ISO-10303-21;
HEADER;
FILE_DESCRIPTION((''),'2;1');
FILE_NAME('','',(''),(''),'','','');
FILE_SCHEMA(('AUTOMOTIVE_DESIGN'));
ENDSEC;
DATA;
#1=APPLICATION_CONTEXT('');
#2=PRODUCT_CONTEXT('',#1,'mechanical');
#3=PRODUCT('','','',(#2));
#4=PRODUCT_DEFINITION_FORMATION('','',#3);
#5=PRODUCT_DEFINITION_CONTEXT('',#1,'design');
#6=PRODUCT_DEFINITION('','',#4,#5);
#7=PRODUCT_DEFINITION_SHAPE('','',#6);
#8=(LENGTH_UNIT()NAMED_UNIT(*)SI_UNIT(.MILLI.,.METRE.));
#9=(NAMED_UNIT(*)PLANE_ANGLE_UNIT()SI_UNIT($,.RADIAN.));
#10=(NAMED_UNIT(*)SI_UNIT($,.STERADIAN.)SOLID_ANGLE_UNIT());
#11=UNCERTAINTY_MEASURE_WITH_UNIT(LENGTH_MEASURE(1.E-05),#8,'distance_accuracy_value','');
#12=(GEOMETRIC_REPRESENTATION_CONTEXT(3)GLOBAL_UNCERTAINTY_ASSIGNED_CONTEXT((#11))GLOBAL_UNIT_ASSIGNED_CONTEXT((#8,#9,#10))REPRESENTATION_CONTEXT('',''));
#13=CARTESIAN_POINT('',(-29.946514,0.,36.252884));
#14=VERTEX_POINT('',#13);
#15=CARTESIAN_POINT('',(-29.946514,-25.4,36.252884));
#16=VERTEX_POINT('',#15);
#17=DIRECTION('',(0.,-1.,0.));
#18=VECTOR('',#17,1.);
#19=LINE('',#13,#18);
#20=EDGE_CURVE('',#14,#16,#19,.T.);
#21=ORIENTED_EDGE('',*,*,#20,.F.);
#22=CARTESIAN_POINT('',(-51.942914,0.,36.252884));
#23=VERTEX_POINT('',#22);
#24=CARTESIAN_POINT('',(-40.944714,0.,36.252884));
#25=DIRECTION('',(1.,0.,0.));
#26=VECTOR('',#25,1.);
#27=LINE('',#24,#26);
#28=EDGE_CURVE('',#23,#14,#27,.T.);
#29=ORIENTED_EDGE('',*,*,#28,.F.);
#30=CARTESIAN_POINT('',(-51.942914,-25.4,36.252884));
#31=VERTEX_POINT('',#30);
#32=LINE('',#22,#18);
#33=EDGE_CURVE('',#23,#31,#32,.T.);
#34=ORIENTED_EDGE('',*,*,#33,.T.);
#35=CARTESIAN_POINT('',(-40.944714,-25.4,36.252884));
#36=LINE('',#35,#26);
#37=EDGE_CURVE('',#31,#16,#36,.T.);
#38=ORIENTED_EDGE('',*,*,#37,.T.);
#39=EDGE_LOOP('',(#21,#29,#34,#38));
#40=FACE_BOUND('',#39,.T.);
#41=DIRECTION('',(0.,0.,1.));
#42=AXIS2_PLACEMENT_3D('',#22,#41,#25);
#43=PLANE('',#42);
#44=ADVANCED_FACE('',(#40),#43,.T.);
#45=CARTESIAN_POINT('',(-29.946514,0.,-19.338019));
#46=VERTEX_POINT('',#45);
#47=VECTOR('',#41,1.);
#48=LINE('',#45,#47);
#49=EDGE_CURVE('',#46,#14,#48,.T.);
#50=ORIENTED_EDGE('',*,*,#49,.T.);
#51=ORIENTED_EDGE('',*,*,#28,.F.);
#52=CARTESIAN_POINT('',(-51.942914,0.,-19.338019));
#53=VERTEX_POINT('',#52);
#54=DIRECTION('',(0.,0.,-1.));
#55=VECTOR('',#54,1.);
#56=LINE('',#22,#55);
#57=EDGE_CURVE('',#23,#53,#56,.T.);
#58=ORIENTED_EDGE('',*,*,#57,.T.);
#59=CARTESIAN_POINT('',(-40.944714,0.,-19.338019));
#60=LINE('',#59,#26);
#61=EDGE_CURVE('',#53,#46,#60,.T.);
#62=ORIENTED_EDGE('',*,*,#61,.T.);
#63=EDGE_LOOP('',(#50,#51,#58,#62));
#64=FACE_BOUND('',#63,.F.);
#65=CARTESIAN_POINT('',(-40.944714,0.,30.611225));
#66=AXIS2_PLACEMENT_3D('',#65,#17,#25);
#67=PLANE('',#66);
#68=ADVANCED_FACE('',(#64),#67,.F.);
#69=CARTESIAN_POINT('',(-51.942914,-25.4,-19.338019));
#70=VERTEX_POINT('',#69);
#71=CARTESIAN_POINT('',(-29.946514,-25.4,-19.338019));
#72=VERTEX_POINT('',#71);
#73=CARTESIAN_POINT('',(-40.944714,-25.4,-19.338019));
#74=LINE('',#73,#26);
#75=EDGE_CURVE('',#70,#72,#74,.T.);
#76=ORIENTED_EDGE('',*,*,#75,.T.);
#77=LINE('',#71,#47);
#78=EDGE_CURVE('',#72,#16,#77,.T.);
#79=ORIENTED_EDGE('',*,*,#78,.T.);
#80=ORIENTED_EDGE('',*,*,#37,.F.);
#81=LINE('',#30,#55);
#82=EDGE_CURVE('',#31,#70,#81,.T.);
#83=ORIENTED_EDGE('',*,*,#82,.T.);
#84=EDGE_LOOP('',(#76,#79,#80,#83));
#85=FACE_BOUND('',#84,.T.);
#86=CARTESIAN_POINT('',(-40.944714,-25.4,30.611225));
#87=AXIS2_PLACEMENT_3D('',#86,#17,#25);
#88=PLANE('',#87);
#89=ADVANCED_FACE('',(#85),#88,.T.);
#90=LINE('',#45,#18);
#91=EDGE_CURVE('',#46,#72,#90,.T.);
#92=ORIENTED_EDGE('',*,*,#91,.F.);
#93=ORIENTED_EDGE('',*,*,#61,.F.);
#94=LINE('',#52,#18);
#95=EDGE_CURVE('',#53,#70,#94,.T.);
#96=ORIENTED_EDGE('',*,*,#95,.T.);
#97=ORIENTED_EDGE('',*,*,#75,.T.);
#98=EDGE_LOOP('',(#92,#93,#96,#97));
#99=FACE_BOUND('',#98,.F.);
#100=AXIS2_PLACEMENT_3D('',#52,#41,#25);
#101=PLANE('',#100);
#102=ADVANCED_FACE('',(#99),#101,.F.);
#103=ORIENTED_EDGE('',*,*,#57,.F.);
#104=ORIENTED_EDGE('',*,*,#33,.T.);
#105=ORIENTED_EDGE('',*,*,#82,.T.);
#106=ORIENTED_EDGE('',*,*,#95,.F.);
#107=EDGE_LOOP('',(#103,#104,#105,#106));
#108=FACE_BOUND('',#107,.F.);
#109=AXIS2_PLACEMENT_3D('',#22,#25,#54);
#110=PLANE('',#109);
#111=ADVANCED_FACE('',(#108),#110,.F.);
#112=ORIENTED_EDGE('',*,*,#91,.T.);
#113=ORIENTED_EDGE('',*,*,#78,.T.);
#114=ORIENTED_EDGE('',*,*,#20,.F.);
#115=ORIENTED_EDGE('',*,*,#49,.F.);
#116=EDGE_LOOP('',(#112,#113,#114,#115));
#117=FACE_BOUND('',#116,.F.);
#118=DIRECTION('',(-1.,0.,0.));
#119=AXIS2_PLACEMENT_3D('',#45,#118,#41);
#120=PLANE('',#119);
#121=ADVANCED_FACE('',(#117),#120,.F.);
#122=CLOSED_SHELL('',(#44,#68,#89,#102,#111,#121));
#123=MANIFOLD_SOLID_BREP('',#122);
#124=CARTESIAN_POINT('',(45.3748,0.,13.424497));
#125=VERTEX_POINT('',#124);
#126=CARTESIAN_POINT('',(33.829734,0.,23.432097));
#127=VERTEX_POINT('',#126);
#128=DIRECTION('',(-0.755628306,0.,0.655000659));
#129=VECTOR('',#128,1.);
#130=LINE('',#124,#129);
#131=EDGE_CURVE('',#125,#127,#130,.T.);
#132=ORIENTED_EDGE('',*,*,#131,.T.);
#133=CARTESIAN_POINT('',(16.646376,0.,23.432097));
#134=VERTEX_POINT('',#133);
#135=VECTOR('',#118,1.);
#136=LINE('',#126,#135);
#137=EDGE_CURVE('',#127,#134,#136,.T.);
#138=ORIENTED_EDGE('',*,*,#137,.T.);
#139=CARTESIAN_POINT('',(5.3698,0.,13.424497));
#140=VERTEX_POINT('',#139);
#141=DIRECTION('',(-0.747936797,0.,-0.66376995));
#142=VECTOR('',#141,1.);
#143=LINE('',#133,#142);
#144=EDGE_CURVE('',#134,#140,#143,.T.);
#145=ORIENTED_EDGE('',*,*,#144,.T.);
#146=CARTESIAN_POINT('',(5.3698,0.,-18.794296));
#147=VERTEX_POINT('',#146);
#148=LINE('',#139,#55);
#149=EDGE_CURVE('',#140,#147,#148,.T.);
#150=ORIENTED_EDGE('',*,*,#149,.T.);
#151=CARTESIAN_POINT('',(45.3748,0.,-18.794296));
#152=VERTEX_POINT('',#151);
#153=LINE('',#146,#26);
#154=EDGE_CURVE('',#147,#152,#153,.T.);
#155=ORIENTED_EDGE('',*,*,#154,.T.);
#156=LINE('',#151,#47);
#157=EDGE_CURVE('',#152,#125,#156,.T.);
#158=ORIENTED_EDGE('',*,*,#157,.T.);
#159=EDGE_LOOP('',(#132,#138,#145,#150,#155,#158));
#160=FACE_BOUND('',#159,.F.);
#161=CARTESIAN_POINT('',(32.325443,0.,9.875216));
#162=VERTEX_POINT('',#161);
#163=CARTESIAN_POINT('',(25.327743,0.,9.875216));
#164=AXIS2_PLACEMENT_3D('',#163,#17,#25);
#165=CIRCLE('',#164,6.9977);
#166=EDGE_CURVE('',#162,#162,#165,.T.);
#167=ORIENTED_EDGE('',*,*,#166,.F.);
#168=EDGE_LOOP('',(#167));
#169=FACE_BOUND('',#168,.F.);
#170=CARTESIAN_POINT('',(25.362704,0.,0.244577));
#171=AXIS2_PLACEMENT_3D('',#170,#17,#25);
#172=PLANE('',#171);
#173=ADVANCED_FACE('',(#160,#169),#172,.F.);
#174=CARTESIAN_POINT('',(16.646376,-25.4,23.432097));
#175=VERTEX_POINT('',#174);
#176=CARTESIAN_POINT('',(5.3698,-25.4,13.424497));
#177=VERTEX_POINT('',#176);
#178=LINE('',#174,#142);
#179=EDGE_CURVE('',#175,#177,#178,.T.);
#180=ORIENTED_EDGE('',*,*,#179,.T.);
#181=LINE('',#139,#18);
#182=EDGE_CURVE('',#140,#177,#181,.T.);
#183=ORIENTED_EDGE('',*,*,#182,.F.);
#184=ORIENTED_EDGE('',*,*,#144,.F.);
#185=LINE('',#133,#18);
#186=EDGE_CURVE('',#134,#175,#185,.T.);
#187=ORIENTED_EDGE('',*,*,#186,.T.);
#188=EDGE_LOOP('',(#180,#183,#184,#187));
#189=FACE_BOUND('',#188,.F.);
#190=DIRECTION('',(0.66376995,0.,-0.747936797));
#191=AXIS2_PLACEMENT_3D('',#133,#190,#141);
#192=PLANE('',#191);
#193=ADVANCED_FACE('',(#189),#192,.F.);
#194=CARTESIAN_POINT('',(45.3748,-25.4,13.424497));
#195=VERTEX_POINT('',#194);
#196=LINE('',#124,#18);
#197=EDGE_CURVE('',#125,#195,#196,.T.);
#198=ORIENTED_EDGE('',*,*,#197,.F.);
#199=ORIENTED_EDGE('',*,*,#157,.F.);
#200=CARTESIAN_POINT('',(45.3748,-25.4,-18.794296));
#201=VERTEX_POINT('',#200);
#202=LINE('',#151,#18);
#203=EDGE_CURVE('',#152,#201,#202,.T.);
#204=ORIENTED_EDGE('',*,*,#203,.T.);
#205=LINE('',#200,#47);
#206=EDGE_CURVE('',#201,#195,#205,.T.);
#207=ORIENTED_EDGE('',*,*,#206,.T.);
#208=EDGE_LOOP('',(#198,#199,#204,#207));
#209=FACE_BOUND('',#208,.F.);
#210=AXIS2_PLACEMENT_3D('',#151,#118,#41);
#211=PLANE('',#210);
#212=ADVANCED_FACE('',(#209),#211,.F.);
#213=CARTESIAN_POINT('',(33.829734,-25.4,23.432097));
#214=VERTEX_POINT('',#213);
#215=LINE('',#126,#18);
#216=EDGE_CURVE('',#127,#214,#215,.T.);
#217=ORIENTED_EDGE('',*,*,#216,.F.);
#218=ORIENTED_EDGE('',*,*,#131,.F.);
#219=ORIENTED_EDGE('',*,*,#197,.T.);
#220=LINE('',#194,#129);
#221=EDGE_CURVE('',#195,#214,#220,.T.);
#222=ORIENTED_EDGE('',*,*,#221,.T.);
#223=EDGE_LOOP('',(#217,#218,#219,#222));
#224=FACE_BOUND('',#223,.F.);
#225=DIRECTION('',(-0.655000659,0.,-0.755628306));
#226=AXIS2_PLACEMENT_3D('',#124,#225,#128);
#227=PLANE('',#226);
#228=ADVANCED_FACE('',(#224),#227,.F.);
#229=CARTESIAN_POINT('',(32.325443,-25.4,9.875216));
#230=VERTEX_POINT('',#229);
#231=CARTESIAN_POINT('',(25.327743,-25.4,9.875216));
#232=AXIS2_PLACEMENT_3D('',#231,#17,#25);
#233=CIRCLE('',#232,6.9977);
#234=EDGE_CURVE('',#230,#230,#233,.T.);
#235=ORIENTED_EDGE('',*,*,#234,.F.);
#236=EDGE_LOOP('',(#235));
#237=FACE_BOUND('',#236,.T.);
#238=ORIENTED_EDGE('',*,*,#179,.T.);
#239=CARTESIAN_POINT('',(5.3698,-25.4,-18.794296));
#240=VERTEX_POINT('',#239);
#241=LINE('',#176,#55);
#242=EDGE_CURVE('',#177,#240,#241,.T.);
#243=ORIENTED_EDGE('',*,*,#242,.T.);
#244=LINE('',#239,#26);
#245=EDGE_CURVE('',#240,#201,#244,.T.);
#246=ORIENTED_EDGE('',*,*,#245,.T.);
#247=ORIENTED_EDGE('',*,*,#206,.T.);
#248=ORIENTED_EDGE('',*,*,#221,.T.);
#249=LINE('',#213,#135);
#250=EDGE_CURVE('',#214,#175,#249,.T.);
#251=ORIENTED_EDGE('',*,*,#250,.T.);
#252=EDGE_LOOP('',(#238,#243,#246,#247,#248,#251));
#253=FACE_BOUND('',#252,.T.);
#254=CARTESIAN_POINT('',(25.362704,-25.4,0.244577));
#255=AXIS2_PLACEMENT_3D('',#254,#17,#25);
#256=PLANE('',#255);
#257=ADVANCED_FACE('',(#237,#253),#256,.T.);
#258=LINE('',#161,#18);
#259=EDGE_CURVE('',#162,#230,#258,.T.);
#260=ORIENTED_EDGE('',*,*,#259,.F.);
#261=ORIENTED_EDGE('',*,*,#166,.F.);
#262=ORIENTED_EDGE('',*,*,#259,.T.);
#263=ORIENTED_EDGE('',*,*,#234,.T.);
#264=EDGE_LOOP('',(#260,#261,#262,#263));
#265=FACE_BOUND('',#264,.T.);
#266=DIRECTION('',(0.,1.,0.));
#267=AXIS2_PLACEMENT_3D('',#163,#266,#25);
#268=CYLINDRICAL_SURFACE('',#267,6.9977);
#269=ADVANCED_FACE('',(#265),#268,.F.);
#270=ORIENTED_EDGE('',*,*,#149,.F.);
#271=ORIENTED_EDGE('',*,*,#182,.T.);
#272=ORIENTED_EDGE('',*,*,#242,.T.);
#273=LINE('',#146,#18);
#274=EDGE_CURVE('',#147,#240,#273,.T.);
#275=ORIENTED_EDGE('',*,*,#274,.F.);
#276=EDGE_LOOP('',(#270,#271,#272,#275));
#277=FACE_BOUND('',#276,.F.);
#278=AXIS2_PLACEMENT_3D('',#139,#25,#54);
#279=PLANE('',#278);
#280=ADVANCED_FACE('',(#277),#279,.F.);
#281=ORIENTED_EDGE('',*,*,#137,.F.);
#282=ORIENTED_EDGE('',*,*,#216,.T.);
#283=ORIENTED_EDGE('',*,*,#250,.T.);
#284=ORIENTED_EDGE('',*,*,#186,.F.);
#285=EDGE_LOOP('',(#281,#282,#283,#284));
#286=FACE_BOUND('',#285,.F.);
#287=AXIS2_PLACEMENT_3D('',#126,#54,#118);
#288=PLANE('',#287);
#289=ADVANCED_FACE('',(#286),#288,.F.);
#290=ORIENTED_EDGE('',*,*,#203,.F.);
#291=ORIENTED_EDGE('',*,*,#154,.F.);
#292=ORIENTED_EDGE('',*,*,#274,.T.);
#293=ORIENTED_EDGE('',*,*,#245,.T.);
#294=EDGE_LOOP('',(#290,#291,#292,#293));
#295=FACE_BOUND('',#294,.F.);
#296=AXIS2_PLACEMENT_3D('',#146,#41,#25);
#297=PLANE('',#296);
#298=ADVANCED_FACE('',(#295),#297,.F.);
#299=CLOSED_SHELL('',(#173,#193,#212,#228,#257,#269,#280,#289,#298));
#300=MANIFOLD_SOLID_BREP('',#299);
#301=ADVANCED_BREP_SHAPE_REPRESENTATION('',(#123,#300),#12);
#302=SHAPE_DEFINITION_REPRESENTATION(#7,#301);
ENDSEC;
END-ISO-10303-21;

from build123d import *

# Parameters (mm, degrees)
F0_W     = 21.9964
F0_H     = 11.283317
F0_H_2   = 44.307585
F0_R     = 6.9977
F1_DEPTH = 25.4


with BuildPart() as f1:
    # F0 (on Front) → F1 (new body)
    with BuildSketch(Plane.XZ):
        with Locations((-40.944714, 30.611225)):
            Rectangle(F0_W, F0_H)
        with Locations((-40.944714, 2.815774)):
            Rectangle(F0_W, F0_H_2)
        Polygon((5.3698, 13.424497), (5.3698, -18.794296), (45.3748, -18.794296), (45.3748, 13.424497), (33.829734, 23.432097), (16.646376, 23.432097), align=None)
        with Locations((25.327743, 9.875216)):
            Circle(F0_R, mode=Mode.SUBTRACT)
    extrude(amount=F1_DEPTH)


solid = f1.part
